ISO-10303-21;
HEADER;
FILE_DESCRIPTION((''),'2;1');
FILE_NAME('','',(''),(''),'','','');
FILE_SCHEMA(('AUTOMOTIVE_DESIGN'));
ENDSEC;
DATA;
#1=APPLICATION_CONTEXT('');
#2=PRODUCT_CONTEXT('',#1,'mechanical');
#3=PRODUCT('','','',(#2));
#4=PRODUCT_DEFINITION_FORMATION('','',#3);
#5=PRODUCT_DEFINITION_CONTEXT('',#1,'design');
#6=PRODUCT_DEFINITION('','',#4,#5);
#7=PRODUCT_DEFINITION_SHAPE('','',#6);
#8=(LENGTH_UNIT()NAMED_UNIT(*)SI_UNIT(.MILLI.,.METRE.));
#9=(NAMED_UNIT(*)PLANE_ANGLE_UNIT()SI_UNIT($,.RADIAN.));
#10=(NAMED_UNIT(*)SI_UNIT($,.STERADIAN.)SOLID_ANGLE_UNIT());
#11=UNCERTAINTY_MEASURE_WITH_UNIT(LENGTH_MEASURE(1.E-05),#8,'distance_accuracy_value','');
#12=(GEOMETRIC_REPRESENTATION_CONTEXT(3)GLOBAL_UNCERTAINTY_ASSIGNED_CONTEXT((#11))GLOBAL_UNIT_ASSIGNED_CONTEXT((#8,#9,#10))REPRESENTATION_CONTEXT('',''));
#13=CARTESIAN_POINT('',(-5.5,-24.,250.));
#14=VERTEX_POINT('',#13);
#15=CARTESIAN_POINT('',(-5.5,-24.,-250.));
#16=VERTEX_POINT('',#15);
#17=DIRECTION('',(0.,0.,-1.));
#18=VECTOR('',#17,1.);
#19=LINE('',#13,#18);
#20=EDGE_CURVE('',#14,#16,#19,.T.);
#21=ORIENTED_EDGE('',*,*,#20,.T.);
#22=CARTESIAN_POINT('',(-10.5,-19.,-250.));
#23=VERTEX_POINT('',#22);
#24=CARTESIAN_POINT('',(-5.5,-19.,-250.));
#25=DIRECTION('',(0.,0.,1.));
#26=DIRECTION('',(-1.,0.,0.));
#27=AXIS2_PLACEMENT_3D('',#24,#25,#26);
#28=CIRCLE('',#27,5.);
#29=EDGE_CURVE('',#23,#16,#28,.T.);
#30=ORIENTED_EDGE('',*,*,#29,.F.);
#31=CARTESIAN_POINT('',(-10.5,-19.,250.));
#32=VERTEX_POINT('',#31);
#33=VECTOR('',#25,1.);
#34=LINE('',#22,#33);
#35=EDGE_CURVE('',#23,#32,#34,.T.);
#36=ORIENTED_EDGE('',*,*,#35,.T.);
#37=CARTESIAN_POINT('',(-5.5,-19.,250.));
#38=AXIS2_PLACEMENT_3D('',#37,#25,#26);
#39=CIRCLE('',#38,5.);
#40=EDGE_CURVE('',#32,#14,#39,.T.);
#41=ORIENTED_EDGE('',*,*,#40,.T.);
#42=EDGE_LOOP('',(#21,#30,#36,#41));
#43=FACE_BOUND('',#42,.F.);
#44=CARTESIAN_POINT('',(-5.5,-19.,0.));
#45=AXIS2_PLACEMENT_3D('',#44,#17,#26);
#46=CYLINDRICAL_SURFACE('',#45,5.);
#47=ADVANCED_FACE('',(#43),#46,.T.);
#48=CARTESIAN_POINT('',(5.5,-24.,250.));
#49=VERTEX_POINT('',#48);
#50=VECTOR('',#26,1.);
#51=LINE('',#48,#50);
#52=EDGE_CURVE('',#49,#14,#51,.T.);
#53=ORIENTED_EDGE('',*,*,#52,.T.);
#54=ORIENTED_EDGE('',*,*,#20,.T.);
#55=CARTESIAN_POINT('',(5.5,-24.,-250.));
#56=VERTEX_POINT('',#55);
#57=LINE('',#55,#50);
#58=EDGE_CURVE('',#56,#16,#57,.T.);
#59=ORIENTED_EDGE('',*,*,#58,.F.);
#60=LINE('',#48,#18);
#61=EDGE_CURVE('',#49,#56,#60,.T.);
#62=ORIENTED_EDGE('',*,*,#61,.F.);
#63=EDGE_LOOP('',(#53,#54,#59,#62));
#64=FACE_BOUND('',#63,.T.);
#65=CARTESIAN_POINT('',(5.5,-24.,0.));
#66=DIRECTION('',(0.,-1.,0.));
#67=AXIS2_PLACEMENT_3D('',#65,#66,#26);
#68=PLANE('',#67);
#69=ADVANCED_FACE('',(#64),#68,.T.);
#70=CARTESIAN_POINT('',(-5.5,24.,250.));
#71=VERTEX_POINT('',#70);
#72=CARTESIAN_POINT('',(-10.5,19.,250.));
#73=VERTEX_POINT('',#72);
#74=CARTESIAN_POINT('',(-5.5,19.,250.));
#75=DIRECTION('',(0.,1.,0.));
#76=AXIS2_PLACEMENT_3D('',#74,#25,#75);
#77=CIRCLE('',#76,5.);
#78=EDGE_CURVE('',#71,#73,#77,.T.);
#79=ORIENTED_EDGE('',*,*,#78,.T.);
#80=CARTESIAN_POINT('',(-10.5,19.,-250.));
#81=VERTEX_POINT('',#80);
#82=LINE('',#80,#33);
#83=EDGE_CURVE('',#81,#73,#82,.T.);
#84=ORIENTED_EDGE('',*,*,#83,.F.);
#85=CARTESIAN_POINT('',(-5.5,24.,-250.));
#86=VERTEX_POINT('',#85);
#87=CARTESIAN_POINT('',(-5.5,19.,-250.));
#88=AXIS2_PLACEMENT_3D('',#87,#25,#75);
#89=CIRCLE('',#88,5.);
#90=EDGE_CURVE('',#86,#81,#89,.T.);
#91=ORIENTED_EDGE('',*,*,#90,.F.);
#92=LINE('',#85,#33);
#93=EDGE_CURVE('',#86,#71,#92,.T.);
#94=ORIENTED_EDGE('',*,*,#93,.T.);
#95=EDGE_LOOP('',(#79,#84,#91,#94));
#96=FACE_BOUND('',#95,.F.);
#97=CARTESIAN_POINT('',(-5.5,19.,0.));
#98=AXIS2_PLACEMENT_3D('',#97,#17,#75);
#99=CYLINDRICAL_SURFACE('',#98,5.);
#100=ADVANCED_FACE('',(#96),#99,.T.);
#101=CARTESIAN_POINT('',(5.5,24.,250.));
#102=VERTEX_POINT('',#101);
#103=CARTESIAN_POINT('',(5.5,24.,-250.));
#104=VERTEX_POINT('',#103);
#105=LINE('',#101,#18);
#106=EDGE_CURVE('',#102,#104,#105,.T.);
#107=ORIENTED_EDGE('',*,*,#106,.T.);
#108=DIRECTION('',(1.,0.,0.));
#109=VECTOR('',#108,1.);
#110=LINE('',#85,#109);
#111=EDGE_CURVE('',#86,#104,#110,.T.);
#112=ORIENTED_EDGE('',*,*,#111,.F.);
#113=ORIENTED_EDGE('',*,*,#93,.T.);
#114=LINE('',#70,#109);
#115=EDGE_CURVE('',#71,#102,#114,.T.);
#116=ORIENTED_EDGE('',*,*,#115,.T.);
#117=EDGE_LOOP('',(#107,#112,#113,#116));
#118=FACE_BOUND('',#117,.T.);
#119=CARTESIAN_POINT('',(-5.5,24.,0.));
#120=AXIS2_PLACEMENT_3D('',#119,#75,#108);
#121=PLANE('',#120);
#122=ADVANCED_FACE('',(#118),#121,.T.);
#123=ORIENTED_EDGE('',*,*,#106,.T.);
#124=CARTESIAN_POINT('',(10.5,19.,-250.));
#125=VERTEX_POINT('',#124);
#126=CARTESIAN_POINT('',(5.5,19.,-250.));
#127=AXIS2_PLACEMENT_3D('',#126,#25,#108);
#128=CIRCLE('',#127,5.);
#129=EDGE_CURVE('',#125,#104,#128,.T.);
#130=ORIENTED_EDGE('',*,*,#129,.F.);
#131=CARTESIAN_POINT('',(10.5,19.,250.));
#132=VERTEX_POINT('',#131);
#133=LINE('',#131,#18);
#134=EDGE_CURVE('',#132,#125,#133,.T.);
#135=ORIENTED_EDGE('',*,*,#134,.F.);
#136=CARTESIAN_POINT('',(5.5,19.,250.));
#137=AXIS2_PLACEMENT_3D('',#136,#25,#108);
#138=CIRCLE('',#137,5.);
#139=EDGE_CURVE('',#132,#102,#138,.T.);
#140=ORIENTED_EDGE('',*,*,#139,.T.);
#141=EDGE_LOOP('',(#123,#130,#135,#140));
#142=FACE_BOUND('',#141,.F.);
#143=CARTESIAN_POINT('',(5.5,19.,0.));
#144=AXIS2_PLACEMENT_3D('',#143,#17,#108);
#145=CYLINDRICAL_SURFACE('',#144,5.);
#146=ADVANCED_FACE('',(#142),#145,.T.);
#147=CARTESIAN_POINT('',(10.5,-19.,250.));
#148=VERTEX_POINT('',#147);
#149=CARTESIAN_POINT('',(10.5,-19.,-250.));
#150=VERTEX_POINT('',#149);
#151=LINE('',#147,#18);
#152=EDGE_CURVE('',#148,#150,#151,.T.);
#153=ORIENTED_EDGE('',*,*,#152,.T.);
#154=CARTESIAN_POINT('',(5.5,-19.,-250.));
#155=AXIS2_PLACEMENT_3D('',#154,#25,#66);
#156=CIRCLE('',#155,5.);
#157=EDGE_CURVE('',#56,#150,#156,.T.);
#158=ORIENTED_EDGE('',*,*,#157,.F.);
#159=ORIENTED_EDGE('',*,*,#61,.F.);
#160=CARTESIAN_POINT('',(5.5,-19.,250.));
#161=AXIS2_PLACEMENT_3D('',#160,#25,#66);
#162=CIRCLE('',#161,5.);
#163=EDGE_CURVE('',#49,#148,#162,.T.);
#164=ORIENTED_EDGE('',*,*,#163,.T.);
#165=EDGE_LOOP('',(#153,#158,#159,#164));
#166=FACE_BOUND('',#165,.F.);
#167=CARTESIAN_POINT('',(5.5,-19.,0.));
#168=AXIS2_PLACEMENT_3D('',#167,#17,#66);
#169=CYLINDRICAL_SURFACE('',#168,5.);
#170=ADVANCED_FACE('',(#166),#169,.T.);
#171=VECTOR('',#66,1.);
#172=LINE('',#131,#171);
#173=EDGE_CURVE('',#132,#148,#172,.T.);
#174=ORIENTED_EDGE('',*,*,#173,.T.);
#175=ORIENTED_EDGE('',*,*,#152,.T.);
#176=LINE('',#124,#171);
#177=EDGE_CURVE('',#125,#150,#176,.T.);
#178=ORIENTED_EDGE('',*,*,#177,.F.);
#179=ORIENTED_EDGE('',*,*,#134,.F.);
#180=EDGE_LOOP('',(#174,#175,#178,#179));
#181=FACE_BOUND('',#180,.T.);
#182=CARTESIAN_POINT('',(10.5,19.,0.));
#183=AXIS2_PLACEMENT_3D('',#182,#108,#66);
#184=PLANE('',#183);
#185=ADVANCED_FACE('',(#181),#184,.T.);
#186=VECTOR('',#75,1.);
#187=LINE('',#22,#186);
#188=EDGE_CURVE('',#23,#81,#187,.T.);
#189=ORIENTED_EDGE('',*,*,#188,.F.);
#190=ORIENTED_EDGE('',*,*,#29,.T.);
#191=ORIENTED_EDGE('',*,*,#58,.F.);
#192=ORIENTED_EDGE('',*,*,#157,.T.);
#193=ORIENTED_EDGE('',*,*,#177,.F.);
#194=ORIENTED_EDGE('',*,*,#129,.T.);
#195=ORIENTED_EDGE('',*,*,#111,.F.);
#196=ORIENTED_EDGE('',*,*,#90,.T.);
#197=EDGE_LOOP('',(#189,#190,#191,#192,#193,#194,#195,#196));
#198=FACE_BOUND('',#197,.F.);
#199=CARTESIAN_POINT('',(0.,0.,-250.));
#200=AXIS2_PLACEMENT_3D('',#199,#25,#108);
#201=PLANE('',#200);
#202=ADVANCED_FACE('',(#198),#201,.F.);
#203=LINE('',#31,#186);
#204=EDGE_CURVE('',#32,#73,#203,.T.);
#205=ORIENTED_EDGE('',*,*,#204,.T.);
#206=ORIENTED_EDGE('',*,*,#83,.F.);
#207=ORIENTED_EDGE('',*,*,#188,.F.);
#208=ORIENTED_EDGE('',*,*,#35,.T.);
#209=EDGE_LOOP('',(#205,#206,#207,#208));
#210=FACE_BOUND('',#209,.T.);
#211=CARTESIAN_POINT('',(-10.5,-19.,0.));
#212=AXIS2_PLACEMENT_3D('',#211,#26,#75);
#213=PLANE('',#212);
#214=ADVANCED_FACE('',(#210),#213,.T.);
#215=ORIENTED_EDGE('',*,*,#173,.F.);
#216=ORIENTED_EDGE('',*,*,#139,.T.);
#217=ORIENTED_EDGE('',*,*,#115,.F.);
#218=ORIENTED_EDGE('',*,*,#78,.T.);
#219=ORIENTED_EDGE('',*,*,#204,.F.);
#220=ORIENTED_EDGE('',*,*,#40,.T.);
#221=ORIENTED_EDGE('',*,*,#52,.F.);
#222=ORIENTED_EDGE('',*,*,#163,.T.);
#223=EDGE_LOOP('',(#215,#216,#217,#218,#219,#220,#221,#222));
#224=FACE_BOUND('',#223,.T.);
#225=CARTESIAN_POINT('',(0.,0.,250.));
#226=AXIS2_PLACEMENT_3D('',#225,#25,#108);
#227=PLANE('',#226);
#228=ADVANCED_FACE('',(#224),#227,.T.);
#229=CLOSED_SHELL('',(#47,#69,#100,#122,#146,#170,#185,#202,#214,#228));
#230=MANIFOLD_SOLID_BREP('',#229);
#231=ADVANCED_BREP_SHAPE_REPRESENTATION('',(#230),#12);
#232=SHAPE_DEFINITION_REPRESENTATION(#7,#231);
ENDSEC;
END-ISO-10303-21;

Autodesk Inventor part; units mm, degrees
ref_plane "YZ Plane" through (0, 0, 0) normal (1, 0, 0) x (0, 1, 0)
ref_plane "XZ Plane" through (0, 0, 0) normal (0, 1, 0) x (-1, 0, 0)
ref_plane "XY Plane" through (0, 0, 0) normal (0, 0, 1) x (1, 0, 0)
sketch "Esboço1" plane through (0, 0, 0) normal (0, 0, 1) x (1, 0, 0)
  line L0 (-5.5, 24) -> (5.5, 24)
  line L1 (10.5, 19) -> (10.5, -19)
  line L2 (5.5, -24) -> (-5.5, -24)
  line L3 (-10.5, -19) -> (-10.5, 19)
  line L4 (-10.5, 24) -> (10.5, -24) construction
  line L5 (10.5, 24) -> (-10.5, -24) construction
  arc A0 (-5.5, 24) -> (-10.5, 19) centre (-5.5, 19) ccw
  arc A1 (10.5, 19) -> (5.5, 24) centre (5.5, 19) ccw
  arc A2 (5.5, -24) -> (10.5, -19) centre (5.5, -19) ccw
  arc A3 (-10.5, -19) -> (-5.5, -24) centre (-5.5, -19) ccw
  point P0 (0, 0)
  dimension "d0" = 21
  dimension "d1" = 48
  dimension "d2" = 5
extrude "Extrusão1" add sketch "Esboço1" along normal mid plane 500
properties part number "Ripas - Base - 500 mm"
